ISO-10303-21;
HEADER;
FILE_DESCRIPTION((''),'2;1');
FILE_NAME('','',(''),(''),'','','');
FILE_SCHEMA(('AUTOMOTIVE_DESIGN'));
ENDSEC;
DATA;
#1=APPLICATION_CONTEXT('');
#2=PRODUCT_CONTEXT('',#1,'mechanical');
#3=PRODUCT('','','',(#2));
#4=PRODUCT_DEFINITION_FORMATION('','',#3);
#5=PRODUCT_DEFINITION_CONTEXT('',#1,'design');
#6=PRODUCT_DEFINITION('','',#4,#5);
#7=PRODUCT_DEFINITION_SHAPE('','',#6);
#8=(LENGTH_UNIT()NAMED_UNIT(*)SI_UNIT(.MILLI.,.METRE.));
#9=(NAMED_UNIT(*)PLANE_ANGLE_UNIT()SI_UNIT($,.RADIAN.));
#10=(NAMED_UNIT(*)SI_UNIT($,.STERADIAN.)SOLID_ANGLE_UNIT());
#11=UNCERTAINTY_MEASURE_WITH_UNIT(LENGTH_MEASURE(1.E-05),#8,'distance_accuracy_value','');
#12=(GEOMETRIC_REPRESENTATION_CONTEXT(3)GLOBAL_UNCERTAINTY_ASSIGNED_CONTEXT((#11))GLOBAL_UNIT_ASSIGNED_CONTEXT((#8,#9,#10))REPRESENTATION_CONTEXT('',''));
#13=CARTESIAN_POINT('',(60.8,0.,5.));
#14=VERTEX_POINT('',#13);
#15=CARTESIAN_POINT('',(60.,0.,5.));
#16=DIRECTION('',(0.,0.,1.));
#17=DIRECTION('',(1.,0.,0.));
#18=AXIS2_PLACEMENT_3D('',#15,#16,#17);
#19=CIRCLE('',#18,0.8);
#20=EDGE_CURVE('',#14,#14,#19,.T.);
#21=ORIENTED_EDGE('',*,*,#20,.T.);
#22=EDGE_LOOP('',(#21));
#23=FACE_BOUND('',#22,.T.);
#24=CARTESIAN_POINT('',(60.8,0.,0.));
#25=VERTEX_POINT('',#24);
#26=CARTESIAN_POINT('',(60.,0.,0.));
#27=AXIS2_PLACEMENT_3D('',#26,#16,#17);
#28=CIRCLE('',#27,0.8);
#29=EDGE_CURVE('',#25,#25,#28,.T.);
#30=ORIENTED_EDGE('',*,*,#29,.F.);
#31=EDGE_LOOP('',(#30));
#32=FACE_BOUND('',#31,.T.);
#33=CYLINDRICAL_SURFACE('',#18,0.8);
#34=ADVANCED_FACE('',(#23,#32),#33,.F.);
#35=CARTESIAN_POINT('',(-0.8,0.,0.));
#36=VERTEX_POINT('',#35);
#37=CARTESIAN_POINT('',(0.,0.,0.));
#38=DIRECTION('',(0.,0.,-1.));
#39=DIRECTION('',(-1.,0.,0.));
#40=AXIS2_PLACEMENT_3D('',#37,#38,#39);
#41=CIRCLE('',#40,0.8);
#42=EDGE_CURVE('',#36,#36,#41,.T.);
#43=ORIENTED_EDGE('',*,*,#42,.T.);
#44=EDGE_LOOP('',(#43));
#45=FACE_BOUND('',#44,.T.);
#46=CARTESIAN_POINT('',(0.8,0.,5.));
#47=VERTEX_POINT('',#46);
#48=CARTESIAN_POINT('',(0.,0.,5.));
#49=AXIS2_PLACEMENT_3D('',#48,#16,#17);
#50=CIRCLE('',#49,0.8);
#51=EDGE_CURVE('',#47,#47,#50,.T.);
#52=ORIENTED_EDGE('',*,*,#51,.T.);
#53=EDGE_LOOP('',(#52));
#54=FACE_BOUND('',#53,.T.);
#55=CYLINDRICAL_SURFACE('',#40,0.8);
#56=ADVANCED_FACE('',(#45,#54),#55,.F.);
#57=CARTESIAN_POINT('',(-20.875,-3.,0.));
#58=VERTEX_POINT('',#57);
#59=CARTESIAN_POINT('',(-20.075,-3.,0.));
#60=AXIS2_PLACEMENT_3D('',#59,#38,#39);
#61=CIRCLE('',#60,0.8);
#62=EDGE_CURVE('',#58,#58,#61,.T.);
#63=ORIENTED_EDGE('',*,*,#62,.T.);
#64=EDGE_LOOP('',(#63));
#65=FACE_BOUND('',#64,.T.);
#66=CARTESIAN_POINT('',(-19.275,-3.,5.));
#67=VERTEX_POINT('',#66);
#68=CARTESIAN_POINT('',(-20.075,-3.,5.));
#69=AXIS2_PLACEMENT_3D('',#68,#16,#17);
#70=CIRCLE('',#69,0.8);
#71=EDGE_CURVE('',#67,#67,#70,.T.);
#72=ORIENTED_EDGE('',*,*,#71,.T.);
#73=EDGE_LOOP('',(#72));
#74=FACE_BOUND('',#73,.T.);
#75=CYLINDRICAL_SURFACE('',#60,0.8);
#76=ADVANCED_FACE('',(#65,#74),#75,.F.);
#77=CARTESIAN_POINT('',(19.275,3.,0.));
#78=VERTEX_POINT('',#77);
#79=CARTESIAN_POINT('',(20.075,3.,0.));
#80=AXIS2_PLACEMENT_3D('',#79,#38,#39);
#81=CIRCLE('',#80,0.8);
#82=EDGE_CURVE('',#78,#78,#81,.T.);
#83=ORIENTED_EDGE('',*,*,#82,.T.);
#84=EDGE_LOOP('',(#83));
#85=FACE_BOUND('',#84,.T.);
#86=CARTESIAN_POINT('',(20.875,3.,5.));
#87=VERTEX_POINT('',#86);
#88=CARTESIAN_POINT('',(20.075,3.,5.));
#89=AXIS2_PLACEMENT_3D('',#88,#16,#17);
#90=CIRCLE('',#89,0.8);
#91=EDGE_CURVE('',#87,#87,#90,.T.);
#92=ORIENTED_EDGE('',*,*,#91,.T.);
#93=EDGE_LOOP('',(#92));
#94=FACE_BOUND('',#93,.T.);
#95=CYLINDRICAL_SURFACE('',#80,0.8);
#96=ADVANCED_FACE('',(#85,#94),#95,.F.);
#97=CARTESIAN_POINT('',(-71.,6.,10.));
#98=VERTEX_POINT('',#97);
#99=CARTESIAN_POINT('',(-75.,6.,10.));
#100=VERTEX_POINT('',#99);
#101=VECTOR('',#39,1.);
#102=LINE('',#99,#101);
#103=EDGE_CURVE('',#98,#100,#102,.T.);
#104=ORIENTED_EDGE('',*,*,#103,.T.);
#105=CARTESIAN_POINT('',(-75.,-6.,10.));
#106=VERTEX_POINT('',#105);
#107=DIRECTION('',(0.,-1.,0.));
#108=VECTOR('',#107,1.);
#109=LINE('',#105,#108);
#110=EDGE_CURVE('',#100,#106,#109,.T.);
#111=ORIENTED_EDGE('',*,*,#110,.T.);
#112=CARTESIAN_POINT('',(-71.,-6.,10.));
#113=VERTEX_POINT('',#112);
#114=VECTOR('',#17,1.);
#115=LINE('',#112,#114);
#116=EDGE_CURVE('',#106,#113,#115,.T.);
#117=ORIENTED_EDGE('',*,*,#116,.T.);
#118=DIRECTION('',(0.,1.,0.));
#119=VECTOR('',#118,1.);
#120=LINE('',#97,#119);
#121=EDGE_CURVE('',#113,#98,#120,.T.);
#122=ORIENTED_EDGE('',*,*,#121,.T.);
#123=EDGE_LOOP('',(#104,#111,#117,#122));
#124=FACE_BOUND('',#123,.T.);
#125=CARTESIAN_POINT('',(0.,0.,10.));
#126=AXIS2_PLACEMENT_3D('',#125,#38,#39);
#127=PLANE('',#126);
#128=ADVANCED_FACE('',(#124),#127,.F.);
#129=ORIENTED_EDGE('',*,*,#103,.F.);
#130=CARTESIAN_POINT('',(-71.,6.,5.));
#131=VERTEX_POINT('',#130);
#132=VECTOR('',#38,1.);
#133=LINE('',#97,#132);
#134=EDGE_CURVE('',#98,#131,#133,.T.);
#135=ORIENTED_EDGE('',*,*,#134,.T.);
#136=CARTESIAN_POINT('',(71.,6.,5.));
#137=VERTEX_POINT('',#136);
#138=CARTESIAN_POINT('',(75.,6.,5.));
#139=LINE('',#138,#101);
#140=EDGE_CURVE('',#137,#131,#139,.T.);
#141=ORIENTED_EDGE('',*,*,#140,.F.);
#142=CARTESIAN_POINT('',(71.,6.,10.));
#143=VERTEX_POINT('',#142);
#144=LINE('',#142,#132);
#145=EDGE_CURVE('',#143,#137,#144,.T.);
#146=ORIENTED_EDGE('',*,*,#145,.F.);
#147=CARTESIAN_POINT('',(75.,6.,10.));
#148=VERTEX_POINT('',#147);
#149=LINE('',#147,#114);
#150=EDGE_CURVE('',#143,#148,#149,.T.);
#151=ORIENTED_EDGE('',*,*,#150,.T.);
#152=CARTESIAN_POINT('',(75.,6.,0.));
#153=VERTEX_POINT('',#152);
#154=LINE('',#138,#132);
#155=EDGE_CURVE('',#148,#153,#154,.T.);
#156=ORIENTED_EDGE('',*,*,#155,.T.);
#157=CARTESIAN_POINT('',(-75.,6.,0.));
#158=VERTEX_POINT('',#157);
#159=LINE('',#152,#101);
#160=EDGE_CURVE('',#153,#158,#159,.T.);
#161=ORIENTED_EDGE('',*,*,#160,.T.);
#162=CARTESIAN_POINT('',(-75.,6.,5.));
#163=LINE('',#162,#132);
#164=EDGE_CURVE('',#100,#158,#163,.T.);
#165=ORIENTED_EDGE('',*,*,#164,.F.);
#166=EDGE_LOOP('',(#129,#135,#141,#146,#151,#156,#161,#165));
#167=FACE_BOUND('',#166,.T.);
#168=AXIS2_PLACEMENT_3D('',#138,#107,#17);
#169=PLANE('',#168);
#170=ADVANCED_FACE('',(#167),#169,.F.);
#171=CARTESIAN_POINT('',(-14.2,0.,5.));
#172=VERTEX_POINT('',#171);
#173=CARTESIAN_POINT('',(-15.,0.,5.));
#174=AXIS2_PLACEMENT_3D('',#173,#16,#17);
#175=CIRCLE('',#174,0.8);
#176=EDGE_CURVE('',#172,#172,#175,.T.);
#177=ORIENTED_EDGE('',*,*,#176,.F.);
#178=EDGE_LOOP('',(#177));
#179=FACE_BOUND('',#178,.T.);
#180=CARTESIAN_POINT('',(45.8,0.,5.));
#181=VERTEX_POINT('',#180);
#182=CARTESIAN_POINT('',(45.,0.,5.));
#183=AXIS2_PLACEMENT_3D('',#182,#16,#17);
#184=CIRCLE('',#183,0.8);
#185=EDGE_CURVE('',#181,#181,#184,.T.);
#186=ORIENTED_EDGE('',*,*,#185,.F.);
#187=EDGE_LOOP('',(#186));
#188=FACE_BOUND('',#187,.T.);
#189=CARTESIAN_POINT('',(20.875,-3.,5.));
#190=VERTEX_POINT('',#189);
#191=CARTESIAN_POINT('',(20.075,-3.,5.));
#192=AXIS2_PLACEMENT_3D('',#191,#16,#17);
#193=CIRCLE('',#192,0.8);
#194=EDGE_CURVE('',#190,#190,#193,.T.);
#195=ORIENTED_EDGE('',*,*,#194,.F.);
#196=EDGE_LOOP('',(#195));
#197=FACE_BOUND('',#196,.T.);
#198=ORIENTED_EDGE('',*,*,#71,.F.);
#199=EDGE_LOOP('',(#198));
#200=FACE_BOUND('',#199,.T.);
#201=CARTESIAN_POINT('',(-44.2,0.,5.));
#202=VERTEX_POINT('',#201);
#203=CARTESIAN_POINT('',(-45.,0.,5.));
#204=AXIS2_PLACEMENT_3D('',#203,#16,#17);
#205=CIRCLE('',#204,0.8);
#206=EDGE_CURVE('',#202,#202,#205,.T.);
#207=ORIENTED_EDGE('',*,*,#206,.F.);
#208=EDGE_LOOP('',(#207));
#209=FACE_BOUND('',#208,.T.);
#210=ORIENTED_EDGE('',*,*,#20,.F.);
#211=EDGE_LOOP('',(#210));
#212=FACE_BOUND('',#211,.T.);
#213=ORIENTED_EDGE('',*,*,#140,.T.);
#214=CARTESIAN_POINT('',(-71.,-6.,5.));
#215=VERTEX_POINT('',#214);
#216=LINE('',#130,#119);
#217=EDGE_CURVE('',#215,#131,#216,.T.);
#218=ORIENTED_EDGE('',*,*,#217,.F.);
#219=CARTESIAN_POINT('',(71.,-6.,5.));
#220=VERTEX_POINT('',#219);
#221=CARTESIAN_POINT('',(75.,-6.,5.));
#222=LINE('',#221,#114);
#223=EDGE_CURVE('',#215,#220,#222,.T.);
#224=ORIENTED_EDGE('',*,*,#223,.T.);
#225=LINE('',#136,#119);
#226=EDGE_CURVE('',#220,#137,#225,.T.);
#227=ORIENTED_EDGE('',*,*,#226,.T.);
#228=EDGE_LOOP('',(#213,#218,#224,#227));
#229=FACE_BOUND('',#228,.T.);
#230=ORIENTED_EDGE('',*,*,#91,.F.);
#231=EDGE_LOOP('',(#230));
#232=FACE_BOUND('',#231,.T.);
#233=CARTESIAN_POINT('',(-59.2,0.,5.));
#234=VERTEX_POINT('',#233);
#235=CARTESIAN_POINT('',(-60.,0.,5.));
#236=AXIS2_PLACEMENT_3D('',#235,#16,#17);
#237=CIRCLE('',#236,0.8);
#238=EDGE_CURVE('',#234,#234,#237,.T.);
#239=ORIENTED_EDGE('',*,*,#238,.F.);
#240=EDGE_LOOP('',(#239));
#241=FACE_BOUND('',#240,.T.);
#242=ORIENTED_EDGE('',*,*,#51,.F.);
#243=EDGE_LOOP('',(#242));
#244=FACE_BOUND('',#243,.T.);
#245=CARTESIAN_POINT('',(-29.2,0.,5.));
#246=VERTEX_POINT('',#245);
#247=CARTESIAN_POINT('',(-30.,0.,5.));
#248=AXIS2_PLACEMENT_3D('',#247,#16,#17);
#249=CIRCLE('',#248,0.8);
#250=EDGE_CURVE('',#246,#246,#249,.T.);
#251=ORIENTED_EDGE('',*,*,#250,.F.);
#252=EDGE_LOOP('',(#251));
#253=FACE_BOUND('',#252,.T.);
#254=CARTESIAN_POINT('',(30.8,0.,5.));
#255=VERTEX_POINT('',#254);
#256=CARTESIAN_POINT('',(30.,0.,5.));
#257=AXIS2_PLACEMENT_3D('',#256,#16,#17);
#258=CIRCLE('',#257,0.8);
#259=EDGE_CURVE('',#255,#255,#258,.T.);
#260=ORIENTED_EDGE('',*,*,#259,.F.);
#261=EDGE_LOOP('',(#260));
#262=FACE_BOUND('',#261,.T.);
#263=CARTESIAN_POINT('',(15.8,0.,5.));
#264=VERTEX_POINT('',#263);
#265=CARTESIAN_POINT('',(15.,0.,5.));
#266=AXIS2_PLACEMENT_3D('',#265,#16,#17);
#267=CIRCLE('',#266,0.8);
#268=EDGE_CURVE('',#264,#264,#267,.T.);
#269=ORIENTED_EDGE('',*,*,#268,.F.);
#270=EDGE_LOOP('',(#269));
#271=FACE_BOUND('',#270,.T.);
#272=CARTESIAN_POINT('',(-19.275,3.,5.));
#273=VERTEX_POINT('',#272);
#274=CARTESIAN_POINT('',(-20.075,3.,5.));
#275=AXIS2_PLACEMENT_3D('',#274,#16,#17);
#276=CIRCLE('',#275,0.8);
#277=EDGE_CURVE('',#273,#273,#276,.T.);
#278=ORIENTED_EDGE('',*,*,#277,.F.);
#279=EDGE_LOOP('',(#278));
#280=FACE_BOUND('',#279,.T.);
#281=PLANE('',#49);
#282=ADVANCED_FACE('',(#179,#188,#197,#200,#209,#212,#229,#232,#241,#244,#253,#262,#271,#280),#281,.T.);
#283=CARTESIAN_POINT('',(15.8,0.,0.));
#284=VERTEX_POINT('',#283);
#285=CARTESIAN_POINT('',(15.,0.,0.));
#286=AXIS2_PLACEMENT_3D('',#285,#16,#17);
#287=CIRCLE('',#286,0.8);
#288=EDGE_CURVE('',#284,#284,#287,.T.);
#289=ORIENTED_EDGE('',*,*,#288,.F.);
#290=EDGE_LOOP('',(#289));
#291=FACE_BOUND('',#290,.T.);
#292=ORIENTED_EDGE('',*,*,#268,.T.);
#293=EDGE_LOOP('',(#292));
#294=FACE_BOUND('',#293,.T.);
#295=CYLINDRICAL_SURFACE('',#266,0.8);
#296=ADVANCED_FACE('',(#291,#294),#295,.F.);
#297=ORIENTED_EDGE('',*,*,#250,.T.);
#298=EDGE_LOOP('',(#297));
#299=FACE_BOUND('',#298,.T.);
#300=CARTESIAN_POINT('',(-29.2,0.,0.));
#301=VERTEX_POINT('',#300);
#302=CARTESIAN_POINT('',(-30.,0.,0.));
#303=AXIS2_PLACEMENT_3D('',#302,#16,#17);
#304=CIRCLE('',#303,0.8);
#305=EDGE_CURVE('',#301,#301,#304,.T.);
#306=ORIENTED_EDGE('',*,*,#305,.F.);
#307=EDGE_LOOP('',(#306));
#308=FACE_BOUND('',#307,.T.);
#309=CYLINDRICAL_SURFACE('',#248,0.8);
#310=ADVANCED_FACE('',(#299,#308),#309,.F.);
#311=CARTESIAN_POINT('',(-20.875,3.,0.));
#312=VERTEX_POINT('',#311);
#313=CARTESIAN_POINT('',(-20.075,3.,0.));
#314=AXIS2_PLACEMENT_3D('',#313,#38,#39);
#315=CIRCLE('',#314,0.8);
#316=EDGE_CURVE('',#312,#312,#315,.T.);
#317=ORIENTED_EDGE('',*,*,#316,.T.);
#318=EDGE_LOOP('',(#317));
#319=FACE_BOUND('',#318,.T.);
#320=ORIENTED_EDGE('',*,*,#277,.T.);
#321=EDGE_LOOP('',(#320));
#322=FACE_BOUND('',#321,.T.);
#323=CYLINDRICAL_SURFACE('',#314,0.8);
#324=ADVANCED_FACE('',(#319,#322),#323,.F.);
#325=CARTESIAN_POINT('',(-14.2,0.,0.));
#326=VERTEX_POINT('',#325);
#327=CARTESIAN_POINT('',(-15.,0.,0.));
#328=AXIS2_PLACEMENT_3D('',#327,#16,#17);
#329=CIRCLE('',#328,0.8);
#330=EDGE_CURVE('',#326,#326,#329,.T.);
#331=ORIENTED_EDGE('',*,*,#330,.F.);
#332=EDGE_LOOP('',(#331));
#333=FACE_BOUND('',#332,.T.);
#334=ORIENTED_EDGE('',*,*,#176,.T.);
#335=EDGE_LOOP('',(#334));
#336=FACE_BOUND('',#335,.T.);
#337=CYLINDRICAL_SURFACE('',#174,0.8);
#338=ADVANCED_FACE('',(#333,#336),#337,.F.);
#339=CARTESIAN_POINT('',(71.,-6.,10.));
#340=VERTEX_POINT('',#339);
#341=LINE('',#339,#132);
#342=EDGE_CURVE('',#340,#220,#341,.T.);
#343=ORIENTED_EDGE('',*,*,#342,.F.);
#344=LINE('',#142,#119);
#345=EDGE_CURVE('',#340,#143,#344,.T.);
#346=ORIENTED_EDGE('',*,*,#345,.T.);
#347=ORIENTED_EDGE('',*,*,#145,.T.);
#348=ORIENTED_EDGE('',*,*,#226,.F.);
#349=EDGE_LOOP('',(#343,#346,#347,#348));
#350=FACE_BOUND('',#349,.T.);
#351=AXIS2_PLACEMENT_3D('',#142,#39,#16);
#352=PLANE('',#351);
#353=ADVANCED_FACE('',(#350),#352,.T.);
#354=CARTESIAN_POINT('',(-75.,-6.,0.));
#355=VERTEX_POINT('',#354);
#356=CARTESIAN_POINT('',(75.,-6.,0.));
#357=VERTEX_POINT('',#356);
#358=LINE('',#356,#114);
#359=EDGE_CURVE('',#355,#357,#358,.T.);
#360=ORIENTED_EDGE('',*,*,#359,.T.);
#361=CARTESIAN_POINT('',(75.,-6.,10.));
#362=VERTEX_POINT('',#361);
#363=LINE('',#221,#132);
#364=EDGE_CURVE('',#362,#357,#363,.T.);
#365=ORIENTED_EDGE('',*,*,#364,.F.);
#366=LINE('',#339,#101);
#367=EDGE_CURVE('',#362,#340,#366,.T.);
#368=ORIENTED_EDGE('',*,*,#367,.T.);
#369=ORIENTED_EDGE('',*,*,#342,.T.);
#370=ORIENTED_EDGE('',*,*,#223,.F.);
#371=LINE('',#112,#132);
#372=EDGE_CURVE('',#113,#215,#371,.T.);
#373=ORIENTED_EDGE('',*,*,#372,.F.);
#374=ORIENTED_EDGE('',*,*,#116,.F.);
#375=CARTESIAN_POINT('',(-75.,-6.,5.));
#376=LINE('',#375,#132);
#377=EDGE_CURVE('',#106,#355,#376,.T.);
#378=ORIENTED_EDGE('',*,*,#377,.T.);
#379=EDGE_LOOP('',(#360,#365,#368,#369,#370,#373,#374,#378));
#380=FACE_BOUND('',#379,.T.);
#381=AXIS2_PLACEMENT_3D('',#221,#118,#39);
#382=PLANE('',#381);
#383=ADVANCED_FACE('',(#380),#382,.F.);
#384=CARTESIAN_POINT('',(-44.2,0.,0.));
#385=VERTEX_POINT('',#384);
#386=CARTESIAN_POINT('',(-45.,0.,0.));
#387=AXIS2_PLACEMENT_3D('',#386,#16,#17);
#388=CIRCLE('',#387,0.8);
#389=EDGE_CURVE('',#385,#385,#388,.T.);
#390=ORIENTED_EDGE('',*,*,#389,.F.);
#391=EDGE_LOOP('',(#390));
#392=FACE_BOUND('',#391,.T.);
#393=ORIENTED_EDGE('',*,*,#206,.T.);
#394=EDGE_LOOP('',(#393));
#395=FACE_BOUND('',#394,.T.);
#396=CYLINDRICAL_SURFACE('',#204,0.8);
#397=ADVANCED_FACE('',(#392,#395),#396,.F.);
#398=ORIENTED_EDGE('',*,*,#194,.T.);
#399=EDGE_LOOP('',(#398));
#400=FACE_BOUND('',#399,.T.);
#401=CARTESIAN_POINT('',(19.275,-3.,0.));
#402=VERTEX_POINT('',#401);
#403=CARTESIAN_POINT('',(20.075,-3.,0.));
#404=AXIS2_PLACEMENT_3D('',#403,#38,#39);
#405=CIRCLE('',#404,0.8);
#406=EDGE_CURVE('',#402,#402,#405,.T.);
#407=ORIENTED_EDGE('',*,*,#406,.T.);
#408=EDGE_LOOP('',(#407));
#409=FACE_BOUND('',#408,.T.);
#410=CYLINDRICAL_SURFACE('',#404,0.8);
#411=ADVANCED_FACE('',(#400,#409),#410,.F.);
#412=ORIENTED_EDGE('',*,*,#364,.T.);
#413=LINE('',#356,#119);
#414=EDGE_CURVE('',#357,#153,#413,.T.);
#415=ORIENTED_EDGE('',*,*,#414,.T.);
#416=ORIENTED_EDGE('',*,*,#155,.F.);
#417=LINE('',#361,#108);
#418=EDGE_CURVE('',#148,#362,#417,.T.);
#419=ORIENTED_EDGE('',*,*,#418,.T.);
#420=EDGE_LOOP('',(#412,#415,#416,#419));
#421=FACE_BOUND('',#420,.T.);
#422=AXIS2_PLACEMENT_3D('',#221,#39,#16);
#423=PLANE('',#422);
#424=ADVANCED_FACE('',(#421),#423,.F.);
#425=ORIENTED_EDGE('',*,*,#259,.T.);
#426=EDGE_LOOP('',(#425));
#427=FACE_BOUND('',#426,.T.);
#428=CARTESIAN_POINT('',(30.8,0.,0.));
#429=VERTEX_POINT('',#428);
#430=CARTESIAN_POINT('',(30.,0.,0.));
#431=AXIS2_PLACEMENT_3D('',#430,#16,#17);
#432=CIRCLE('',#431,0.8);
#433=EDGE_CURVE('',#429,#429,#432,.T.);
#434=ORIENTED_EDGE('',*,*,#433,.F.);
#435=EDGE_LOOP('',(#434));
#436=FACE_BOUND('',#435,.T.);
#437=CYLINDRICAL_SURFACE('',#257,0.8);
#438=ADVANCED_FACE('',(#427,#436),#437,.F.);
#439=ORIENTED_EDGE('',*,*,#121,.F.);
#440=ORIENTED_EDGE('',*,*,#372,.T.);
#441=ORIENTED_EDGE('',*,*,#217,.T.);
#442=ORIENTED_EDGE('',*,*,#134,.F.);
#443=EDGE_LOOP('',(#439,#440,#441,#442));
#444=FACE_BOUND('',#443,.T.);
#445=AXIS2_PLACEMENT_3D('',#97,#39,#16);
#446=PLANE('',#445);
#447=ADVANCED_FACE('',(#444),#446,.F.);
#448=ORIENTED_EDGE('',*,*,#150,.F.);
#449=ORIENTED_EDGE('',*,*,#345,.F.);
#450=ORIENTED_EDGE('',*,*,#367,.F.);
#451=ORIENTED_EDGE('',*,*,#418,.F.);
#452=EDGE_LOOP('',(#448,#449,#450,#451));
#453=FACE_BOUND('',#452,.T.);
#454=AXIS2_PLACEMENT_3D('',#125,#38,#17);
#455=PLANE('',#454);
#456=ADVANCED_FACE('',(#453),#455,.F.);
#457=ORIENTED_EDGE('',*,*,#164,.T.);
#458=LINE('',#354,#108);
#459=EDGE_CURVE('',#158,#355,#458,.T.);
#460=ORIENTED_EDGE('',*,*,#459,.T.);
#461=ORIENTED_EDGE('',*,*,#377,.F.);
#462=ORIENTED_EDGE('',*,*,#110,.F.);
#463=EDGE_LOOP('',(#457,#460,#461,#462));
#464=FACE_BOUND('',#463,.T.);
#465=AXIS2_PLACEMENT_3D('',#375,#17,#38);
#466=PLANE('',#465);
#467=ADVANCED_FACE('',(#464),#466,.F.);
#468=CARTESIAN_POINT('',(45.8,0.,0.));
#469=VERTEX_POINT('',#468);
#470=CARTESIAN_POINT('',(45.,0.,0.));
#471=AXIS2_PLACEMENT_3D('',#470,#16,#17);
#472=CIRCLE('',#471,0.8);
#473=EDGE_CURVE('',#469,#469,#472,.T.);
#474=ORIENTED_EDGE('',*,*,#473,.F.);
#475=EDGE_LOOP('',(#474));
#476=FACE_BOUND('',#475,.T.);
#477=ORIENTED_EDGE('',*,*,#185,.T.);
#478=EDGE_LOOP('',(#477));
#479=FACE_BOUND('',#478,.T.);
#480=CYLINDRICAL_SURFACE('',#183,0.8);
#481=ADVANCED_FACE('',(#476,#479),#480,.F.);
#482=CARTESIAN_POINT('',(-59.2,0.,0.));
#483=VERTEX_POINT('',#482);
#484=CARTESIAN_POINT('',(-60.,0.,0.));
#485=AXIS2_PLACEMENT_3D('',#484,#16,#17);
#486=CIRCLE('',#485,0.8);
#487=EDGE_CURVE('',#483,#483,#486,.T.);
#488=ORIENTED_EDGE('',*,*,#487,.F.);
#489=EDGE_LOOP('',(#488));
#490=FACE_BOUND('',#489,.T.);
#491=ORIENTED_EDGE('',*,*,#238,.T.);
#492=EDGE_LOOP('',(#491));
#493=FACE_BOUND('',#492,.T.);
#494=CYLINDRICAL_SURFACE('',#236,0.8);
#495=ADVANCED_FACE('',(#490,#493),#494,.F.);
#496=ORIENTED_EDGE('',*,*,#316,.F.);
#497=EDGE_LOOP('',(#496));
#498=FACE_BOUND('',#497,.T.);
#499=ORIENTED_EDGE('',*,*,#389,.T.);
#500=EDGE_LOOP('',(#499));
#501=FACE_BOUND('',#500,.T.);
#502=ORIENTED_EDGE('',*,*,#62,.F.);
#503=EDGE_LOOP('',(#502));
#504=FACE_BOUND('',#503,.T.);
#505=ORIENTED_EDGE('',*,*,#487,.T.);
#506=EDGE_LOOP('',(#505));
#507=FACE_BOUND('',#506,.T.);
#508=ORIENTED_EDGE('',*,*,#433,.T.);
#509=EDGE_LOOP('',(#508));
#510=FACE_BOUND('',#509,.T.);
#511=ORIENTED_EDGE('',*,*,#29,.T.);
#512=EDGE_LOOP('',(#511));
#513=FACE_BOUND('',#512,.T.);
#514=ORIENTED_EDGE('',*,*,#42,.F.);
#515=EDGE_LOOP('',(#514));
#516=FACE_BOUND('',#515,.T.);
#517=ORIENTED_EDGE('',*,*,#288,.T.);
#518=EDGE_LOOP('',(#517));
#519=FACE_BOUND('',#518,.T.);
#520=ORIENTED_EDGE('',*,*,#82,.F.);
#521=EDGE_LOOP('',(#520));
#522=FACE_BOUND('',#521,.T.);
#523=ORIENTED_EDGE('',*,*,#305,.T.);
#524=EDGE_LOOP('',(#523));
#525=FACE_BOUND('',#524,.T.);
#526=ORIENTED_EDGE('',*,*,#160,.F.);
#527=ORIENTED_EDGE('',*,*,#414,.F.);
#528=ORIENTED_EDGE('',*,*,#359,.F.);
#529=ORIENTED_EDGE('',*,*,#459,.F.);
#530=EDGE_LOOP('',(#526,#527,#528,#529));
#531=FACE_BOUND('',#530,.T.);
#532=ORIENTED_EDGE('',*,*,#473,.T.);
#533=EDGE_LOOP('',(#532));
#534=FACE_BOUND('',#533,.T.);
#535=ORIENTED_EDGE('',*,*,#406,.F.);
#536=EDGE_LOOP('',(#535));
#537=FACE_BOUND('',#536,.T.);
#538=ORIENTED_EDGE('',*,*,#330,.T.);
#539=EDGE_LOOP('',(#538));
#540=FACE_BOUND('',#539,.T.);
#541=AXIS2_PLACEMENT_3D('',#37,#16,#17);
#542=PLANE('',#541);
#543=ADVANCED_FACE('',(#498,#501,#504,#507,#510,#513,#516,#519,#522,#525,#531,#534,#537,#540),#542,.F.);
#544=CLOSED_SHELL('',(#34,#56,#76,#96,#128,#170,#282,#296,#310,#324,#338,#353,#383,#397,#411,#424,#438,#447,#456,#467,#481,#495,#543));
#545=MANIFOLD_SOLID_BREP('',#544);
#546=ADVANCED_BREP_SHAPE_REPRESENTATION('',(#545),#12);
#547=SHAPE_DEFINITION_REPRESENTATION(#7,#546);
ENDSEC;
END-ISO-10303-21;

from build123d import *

# Parameters (mm, degrees)
SKETCH_1_W             = 150
SKETCH_1_H             = 12
EXTRUDE_1_DEPTH        = 5
SKETCH_2_W             = 4
SKETCH_2_H             = 12
EXTRUDE_2_DEPTH        = 5
HOLE_WIZARD_M2_2_D     = 1.6
HOLE_WIZARD_M2_2_DEPTH = 5.2
HOLE_WIZARD_M2_2_TIP   = 0.480688495
HOLE_WIZARD_M2_3_D     = 1.6
HOLE_WIZARD_M2_4_D     = 1.6


with BuildPart() as part:
    # 草图1 → 凸台-拉伸1 (new body)
    with BuildSketch(Plane.XY):
        Rectangle(SKETCH_1_W, SKETCH_1_H)
    extrude(amount=EXTRUDE_1_DEPTH)

    # 草图2 → 凸台-拉伸2 (add)
    with BuildSketch(Plane.XY.offset(5)):
        with Locations((-73, 0)):
            Rectangle(SKETCH_2_W, SKETCH_2_H)
    extrude_2 = extrude(amount=EXTRUDE_2_DEPTH)

    # 镜向1: 凸台-拉伸2 across plane
    add(extrude_2.mirror(Plane(origin=(0, 0, 0), x_dir=(0, 0, 1), z_dir=(1, 0, 0))))

    # M2 螺纹孔2
    with Locations(Plane(origin=(0, 0, 0), x_dir=(-1, 0, 0), z_dir=(0, 0, -1))):
        with Locations((-20.075, -3), (-20.075, 3), (20.075, -3), (20.075, 3)):
            Hole(HOLE_WIZARD_M2_2_D / 2, depth=HOLE_WIZARD_M2_2_DEPTH)
            with Locations((0, 0, -(HOLE_WIZARD_M2_2_DEPTH + HOLE_WIZARD_M2_2_TIP / 2))):  # 118° drill point
                Cone(0, HOLE_WIZARD_M2_2_D / 2, HOLE_WIZARD_M2_2_TIP, mode=Mode.SUBTRACT)

    # M2 螺纹孔3 (through all)
    with Locations(Plane(origin=(0, 0, 0), x_dir=(-1, 0, 0), z_dir=(0, 0, -1))):
        with Locations((0, 0)):
            Hole(HOLE_WIZARD_M2_3_D / 2)

    # M2 螺纹孔4 (through all)
    with Locations(Plane.XY.offset(5)):
        with Locations((0, 0), (15, 0), (30, 0), (-30, 0), (-45, 0), (-60, 0), (-15, 0), (45, 0), (60, 0)):
            Hole(HOLE_WIZARD_M2_4_D / 2)


solid = part.part
